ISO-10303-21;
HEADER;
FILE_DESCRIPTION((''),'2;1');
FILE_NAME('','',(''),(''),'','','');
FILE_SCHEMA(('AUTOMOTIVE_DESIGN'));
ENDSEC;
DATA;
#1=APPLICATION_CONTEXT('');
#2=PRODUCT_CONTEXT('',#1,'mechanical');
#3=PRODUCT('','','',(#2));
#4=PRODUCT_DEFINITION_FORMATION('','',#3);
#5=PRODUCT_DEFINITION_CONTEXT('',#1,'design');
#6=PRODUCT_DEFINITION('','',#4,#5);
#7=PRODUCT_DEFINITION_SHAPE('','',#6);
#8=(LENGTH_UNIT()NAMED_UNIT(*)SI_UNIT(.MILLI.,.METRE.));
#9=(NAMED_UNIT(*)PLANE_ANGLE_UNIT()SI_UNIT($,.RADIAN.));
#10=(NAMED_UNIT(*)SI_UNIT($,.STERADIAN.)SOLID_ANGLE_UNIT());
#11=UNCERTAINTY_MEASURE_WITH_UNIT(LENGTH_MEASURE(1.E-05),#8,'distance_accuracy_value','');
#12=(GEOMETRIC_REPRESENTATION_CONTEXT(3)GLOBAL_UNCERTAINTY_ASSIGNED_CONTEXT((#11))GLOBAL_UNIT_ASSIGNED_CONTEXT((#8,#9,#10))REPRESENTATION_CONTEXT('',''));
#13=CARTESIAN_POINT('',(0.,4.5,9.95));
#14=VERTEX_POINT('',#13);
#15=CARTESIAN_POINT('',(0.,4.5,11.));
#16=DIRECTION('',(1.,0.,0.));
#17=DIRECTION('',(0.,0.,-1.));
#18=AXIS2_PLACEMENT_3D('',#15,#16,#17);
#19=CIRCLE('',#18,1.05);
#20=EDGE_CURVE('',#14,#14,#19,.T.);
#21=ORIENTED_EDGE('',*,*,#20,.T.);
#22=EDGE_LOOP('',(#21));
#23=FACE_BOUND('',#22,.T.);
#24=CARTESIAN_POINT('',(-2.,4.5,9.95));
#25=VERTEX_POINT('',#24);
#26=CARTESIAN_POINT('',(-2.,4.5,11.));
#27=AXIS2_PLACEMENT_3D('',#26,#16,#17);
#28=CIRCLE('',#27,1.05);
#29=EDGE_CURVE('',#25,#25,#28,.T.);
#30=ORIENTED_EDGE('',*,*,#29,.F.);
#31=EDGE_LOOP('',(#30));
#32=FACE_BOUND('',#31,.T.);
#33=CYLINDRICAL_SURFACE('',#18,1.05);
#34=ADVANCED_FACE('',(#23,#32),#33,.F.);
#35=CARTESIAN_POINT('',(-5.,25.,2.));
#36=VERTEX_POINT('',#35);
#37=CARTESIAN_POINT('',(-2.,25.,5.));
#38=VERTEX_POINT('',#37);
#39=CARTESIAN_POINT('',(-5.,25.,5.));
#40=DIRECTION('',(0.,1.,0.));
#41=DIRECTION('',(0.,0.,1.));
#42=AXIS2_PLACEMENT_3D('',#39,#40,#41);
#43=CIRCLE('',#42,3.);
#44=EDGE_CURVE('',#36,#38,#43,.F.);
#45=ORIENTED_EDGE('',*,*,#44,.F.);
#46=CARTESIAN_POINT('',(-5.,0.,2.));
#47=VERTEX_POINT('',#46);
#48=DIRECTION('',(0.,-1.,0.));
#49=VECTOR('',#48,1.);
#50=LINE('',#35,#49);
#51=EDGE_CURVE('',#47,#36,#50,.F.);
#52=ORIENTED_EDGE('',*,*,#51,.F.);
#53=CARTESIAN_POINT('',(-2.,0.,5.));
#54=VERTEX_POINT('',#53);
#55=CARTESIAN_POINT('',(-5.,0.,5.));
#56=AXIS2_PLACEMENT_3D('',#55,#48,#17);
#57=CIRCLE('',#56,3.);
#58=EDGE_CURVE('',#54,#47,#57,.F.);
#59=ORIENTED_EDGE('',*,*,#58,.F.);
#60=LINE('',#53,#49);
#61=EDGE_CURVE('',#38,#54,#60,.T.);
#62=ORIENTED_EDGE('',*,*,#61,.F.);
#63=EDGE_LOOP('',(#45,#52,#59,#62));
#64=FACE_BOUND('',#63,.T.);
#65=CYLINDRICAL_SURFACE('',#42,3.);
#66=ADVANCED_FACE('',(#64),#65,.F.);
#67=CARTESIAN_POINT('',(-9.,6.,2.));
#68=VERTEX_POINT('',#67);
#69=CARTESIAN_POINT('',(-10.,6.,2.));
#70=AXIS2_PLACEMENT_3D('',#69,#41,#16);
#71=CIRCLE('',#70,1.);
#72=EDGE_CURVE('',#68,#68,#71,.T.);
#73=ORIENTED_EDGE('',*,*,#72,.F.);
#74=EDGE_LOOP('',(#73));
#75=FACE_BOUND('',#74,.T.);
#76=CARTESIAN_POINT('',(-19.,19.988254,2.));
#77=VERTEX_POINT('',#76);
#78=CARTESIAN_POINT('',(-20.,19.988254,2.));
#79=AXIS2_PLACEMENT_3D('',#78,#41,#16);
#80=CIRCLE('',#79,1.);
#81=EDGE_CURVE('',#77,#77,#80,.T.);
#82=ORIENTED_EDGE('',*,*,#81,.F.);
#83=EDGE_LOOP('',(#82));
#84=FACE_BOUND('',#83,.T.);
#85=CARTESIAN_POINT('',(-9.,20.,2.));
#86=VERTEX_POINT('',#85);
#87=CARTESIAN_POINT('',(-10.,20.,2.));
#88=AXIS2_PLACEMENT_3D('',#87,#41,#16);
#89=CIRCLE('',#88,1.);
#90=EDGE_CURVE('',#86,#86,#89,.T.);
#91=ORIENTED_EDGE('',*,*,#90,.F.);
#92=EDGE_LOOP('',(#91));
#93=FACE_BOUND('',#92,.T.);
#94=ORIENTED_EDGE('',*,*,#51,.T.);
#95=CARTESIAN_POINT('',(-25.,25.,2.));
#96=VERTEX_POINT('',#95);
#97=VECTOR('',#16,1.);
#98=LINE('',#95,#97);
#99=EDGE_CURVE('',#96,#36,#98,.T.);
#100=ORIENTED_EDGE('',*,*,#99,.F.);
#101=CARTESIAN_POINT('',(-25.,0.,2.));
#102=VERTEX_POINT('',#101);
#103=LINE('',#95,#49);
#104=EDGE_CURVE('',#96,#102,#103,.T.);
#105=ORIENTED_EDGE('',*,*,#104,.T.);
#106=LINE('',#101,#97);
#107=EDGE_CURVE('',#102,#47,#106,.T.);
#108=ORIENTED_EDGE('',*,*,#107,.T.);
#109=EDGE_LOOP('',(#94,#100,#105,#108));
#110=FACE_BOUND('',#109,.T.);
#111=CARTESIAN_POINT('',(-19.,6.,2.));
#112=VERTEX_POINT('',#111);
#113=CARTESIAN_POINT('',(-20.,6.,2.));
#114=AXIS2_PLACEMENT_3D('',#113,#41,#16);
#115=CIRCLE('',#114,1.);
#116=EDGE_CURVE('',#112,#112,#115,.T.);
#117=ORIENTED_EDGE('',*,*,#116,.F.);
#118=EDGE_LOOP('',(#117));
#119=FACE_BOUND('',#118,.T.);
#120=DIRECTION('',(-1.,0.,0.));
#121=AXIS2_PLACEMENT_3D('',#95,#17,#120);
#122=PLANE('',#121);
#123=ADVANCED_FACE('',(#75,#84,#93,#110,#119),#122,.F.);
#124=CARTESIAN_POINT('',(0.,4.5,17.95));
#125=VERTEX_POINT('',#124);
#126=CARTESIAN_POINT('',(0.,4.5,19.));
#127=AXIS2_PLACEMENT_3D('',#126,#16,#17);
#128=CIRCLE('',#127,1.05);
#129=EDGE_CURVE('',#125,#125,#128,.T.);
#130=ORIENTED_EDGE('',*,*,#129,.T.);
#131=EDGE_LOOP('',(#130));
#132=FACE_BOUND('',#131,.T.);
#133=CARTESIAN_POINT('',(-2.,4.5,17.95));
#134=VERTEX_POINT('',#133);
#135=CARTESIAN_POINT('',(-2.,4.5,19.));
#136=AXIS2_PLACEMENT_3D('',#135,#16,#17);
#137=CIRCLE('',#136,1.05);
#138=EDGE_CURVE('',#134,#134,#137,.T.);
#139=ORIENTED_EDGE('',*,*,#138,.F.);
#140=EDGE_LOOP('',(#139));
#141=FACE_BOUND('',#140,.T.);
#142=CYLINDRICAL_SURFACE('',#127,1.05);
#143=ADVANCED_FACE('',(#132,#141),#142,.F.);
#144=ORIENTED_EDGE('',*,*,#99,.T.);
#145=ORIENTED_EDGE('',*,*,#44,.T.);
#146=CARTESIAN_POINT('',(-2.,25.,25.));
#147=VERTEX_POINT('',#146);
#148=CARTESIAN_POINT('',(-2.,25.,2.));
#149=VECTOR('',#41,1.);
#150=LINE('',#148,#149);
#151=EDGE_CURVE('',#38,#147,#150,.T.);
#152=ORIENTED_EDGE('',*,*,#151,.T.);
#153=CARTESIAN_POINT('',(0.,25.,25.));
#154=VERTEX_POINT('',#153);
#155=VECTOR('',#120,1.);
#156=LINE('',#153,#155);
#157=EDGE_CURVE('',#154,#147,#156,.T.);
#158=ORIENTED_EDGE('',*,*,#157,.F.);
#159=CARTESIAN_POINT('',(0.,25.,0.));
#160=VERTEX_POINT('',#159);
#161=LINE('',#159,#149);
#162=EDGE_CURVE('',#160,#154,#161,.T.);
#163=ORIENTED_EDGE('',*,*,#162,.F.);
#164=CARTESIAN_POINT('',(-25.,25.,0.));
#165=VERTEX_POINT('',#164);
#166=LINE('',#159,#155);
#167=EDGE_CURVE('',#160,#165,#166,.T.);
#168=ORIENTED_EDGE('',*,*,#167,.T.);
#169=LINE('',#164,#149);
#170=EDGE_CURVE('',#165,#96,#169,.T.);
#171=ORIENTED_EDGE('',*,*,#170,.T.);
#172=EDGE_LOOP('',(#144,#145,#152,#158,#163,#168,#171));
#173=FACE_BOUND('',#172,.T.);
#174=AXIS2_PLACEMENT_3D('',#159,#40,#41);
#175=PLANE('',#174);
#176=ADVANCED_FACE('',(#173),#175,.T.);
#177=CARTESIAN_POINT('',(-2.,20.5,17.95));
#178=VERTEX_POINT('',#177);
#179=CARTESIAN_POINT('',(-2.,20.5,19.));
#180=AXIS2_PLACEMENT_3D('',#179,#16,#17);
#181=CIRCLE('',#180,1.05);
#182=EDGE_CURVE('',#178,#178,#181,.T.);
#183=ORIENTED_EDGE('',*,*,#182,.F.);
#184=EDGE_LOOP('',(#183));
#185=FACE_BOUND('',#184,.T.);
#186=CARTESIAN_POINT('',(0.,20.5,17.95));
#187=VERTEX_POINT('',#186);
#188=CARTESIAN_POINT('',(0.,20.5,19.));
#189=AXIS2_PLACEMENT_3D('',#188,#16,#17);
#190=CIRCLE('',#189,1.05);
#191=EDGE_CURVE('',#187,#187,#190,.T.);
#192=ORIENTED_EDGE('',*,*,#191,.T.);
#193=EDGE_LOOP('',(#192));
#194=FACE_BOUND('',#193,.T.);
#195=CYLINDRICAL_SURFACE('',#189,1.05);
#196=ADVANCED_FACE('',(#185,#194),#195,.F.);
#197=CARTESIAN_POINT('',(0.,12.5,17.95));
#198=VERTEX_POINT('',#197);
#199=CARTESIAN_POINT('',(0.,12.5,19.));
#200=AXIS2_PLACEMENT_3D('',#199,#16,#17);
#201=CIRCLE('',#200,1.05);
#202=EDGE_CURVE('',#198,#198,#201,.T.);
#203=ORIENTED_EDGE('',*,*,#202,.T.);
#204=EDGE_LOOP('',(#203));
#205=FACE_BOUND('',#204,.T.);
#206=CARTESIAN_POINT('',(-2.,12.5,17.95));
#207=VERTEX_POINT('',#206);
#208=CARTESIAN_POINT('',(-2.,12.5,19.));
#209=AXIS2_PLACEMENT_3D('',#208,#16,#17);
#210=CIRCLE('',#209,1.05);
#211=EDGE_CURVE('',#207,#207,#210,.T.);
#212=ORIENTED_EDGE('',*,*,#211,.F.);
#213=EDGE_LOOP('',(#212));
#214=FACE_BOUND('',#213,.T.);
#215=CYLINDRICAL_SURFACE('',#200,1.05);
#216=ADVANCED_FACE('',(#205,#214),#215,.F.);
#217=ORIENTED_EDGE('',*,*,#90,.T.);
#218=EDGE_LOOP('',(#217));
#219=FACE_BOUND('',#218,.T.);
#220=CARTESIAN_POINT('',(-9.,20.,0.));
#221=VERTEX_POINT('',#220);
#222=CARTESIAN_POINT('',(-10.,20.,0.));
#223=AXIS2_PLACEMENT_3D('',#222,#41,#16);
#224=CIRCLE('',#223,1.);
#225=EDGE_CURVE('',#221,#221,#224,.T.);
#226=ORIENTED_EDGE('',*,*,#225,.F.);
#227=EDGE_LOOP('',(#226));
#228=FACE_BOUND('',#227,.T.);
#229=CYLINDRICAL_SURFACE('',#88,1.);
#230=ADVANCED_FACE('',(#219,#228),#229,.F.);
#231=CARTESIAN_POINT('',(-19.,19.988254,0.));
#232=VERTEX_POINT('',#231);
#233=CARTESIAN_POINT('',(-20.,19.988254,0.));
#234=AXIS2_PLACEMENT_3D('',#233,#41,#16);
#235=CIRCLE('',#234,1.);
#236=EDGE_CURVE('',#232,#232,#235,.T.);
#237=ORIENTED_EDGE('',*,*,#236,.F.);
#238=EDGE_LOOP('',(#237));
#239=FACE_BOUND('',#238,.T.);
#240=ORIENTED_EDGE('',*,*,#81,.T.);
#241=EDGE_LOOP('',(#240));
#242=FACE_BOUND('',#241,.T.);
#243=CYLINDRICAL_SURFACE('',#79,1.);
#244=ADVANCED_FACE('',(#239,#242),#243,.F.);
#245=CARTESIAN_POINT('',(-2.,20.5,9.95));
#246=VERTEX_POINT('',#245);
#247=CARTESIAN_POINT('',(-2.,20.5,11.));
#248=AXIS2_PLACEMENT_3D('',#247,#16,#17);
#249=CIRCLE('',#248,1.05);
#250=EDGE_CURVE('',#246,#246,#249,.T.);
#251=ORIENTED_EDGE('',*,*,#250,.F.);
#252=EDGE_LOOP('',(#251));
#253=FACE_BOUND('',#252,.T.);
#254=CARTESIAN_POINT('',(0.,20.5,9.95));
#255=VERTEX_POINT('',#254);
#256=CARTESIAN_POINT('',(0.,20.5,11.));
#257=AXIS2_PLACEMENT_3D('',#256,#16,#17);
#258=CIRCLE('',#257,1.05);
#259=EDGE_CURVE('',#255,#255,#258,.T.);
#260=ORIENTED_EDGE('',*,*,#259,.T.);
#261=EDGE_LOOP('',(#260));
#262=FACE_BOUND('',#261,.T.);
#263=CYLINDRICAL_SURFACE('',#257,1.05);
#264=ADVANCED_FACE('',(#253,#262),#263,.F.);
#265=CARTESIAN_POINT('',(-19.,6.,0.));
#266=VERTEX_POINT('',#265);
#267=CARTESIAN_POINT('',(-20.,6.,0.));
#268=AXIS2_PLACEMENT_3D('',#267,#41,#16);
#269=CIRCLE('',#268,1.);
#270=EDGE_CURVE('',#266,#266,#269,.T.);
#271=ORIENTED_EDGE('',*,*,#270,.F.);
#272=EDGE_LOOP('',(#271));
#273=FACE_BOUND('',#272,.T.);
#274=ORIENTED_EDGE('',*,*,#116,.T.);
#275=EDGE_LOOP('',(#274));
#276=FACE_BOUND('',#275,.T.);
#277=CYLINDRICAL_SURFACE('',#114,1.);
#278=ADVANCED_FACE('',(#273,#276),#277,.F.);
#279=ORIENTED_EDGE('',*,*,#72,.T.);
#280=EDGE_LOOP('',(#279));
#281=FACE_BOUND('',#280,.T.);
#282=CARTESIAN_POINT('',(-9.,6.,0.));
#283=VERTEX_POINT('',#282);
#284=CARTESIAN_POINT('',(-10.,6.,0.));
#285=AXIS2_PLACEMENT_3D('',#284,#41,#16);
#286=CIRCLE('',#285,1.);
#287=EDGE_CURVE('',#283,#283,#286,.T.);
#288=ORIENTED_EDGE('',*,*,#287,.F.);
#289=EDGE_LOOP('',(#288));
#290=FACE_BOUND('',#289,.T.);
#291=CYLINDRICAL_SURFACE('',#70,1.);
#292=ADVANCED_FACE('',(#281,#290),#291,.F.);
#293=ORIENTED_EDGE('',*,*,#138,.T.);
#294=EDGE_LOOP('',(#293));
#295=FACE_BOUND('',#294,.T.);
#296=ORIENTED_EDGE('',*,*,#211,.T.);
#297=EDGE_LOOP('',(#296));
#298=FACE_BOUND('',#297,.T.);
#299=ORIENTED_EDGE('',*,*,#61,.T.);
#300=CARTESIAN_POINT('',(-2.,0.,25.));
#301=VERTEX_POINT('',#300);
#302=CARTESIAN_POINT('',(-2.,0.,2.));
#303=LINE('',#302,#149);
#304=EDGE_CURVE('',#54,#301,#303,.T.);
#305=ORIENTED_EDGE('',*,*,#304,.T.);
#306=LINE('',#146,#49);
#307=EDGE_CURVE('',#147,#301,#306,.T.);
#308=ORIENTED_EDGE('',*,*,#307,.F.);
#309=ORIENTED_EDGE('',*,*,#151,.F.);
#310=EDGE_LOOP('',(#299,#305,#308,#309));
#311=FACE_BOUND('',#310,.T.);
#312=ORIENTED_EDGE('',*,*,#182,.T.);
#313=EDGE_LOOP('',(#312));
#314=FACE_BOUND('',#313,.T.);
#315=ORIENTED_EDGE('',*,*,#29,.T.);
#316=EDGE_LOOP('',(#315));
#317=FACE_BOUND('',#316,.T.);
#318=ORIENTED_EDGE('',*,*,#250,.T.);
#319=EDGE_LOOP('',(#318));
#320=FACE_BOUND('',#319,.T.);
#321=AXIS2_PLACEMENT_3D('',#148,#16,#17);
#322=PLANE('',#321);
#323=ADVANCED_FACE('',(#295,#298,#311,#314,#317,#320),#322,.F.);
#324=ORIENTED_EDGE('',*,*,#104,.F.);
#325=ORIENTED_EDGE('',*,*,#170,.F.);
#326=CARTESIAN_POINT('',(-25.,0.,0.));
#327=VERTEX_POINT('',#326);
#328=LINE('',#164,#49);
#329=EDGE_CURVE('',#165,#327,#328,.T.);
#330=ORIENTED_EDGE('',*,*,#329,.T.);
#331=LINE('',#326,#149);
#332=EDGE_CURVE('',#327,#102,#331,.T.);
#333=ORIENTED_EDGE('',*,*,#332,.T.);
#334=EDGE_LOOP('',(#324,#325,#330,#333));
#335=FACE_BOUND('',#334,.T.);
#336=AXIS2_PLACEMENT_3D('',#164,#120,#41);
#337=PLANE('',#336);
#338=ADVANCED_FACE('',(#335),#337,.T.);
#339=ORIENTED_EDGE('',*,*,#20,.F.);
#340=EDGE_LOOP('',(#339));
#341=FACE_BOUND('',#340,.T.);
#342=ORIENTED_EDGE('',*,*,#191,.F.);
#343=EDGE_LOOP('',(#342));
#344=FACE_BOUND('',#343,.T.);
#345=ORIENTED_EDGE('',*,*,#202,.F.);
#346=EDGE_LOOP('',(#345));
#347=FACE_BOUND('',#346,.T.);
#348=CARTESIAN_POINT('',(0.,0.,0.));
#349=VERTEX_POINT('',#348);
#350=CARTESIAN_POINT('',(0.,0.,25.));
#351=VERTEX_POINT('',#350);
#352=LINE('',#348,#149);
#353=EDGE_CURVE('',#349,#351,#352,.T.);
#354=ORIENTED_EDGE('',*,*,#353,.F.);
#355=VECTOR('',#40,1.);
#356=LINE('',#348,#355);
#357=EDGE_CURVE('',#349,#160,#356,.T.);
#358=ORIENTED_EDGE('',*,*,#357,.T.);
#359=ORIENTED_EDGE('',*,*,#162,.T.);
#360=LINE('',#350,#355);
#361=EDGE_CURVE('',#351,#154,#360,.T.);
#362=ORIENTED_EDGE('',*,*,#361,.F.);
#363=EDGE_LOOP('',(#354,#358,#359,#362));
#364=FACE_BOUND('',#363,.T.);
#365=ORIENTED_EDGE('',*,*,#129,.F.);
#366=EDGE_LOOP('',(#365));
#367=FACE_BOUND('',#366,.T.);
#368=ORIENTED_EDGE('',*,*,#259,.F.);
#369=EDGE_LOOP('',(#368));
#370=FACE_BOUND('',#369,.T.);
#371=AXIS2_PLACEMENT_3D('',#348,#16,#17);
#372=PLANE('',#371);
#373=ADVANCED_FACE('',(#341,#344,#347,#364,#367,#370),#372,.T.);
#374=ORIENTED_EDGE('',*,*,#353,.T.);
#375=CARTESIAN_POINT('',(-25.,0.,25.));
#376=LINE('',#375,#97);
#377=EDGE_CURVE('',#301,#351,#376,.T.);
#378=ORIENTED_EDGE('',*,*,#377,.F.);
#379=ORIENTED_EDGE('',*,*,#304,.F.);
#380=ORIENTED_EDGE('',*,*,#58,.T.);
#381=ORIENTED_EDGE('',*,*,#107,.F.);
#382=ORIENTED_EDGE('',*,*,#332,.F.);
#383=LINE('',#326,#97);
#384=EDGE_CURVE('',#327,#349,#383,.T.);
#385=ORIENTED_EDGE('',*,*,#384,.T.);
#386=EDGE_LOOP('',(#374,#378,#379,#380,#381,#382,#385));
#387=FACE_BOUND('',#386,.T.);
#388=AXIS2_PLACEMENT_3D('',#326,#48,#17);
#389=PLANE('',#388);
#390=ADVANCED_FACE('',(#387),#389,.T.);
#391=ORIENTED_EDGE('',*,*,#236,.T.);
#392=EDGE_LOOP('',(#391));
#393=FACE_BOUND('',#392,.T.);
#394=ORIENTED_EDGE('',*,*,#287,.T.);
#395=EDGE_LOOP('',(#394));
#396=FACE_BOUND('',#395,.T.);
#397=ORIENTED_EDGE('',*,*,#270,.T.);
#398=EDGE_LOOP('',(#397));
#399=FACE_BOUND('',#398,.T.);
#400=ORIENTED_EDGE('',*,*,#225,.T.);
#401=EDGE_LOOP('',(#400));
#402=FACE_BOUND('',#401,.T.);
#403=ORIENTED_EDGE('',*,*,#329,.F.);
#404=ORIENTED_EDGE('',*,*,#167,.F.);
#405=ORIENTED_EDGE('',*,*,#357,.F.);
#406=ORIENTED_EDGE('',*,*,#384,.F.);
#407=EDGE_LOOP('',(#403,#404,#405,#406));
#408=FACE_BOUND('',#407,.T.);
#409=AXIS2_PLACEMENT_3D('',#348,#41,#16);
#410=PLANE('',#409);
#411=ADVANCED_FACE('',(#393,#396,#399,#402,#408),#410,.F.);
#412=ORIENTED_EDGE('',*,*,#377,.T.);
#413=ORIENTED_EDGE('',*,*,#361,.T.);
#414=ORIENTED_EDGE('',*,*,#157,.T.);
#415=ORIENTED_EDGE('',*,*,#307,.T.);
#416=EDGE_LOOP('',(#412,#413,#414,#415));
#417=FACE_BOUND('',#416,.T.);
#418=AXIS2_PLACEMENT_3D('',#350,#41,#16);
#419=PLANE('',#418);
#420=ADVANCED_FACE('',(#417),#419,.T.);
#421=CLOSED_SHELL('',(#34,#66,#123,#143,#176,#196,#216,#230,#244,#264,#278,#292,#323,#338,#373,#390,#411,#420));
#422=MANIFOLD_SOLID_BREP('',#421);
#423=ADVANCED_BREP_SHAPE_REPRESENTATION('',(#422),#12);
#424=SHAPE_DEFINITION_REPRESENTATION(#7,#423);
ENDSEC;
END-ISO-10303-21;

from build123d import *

# Parameters (mm, degrees)
SKETCH_1_W                  = 25
SKETCH_1_H                  = 25
EXTRUDE_1_DEPTH             = 25
SKETCH_2_W                  = 23
SKETCH_2_H                  = 23
CUT_EXTRUDE_1_DEPTH         = 44.301270189
HOLE_WIZARD_2_0_2_1_D       = 2
HOLE_WIZARD_2_1_2_1_1_D     = 2.1
HOLE_WIZARD_2_1_2_1_1_DEPTH = 25
FILLET_1_R                  = 3


with BuildPart() as part:
    # 草图1 → 凸台-拉伸1 (new body)
    with BuildSketch(Plane.XY.offset(25)):
        with Locations((-12.5, 12.5)):
            Rectangle(SKETCH_1_W, SKETCH_1_H)
    extrude(amount=-EXTRUDE_1_DEPTH)

    # 草图2 → 切除-拉伸1 (cut, through all)
    with BuildSketch(Plane.XZ):
        with Locations((-13.5, 13.5)):
            Rectangle(SKETCH_2_W, SKETCH_2_H)
    extrude(amount=-CUT_EXTRUDE_1_DEPTH, mode=Mode.SUBTRACT)

    # Ø2.0 (2) 直径孔1 (through all)
    with Locations(Plane.XY.offset(2)):
        with Locations((-10, 20), (-10, 6), (-20, 6), (-20, 19.98825417)):
            Hole(HOLE_WIZARD_2_0_2_1_D / 2)

    # Ø2.1 (2.1) 直径孔1
    with Locations(Plane(origin=(0, 0, 0), x_dir=(0, 0, -1), z_dir=(1, 0, 0))):
        with Locations((-19, 20.5), (-19, 4.5), (-19, 12.5), (-11, 4.5), (-11, 20.5)):
            Hole(HOLE_WIZARD_2_1_2_1_1_D / 2, depth=HOLE_WIZARD_2_1_2_1_1_DEPTH)

    # 圆角1
    fillet_1_edges = [part.edges().sort_by_distance(p)[0] for p in [
        (-2, 12.5, 2),
    ]]
    fillet(fillet_1_edges, radius=FILLET_1_R)


solid = part.part
